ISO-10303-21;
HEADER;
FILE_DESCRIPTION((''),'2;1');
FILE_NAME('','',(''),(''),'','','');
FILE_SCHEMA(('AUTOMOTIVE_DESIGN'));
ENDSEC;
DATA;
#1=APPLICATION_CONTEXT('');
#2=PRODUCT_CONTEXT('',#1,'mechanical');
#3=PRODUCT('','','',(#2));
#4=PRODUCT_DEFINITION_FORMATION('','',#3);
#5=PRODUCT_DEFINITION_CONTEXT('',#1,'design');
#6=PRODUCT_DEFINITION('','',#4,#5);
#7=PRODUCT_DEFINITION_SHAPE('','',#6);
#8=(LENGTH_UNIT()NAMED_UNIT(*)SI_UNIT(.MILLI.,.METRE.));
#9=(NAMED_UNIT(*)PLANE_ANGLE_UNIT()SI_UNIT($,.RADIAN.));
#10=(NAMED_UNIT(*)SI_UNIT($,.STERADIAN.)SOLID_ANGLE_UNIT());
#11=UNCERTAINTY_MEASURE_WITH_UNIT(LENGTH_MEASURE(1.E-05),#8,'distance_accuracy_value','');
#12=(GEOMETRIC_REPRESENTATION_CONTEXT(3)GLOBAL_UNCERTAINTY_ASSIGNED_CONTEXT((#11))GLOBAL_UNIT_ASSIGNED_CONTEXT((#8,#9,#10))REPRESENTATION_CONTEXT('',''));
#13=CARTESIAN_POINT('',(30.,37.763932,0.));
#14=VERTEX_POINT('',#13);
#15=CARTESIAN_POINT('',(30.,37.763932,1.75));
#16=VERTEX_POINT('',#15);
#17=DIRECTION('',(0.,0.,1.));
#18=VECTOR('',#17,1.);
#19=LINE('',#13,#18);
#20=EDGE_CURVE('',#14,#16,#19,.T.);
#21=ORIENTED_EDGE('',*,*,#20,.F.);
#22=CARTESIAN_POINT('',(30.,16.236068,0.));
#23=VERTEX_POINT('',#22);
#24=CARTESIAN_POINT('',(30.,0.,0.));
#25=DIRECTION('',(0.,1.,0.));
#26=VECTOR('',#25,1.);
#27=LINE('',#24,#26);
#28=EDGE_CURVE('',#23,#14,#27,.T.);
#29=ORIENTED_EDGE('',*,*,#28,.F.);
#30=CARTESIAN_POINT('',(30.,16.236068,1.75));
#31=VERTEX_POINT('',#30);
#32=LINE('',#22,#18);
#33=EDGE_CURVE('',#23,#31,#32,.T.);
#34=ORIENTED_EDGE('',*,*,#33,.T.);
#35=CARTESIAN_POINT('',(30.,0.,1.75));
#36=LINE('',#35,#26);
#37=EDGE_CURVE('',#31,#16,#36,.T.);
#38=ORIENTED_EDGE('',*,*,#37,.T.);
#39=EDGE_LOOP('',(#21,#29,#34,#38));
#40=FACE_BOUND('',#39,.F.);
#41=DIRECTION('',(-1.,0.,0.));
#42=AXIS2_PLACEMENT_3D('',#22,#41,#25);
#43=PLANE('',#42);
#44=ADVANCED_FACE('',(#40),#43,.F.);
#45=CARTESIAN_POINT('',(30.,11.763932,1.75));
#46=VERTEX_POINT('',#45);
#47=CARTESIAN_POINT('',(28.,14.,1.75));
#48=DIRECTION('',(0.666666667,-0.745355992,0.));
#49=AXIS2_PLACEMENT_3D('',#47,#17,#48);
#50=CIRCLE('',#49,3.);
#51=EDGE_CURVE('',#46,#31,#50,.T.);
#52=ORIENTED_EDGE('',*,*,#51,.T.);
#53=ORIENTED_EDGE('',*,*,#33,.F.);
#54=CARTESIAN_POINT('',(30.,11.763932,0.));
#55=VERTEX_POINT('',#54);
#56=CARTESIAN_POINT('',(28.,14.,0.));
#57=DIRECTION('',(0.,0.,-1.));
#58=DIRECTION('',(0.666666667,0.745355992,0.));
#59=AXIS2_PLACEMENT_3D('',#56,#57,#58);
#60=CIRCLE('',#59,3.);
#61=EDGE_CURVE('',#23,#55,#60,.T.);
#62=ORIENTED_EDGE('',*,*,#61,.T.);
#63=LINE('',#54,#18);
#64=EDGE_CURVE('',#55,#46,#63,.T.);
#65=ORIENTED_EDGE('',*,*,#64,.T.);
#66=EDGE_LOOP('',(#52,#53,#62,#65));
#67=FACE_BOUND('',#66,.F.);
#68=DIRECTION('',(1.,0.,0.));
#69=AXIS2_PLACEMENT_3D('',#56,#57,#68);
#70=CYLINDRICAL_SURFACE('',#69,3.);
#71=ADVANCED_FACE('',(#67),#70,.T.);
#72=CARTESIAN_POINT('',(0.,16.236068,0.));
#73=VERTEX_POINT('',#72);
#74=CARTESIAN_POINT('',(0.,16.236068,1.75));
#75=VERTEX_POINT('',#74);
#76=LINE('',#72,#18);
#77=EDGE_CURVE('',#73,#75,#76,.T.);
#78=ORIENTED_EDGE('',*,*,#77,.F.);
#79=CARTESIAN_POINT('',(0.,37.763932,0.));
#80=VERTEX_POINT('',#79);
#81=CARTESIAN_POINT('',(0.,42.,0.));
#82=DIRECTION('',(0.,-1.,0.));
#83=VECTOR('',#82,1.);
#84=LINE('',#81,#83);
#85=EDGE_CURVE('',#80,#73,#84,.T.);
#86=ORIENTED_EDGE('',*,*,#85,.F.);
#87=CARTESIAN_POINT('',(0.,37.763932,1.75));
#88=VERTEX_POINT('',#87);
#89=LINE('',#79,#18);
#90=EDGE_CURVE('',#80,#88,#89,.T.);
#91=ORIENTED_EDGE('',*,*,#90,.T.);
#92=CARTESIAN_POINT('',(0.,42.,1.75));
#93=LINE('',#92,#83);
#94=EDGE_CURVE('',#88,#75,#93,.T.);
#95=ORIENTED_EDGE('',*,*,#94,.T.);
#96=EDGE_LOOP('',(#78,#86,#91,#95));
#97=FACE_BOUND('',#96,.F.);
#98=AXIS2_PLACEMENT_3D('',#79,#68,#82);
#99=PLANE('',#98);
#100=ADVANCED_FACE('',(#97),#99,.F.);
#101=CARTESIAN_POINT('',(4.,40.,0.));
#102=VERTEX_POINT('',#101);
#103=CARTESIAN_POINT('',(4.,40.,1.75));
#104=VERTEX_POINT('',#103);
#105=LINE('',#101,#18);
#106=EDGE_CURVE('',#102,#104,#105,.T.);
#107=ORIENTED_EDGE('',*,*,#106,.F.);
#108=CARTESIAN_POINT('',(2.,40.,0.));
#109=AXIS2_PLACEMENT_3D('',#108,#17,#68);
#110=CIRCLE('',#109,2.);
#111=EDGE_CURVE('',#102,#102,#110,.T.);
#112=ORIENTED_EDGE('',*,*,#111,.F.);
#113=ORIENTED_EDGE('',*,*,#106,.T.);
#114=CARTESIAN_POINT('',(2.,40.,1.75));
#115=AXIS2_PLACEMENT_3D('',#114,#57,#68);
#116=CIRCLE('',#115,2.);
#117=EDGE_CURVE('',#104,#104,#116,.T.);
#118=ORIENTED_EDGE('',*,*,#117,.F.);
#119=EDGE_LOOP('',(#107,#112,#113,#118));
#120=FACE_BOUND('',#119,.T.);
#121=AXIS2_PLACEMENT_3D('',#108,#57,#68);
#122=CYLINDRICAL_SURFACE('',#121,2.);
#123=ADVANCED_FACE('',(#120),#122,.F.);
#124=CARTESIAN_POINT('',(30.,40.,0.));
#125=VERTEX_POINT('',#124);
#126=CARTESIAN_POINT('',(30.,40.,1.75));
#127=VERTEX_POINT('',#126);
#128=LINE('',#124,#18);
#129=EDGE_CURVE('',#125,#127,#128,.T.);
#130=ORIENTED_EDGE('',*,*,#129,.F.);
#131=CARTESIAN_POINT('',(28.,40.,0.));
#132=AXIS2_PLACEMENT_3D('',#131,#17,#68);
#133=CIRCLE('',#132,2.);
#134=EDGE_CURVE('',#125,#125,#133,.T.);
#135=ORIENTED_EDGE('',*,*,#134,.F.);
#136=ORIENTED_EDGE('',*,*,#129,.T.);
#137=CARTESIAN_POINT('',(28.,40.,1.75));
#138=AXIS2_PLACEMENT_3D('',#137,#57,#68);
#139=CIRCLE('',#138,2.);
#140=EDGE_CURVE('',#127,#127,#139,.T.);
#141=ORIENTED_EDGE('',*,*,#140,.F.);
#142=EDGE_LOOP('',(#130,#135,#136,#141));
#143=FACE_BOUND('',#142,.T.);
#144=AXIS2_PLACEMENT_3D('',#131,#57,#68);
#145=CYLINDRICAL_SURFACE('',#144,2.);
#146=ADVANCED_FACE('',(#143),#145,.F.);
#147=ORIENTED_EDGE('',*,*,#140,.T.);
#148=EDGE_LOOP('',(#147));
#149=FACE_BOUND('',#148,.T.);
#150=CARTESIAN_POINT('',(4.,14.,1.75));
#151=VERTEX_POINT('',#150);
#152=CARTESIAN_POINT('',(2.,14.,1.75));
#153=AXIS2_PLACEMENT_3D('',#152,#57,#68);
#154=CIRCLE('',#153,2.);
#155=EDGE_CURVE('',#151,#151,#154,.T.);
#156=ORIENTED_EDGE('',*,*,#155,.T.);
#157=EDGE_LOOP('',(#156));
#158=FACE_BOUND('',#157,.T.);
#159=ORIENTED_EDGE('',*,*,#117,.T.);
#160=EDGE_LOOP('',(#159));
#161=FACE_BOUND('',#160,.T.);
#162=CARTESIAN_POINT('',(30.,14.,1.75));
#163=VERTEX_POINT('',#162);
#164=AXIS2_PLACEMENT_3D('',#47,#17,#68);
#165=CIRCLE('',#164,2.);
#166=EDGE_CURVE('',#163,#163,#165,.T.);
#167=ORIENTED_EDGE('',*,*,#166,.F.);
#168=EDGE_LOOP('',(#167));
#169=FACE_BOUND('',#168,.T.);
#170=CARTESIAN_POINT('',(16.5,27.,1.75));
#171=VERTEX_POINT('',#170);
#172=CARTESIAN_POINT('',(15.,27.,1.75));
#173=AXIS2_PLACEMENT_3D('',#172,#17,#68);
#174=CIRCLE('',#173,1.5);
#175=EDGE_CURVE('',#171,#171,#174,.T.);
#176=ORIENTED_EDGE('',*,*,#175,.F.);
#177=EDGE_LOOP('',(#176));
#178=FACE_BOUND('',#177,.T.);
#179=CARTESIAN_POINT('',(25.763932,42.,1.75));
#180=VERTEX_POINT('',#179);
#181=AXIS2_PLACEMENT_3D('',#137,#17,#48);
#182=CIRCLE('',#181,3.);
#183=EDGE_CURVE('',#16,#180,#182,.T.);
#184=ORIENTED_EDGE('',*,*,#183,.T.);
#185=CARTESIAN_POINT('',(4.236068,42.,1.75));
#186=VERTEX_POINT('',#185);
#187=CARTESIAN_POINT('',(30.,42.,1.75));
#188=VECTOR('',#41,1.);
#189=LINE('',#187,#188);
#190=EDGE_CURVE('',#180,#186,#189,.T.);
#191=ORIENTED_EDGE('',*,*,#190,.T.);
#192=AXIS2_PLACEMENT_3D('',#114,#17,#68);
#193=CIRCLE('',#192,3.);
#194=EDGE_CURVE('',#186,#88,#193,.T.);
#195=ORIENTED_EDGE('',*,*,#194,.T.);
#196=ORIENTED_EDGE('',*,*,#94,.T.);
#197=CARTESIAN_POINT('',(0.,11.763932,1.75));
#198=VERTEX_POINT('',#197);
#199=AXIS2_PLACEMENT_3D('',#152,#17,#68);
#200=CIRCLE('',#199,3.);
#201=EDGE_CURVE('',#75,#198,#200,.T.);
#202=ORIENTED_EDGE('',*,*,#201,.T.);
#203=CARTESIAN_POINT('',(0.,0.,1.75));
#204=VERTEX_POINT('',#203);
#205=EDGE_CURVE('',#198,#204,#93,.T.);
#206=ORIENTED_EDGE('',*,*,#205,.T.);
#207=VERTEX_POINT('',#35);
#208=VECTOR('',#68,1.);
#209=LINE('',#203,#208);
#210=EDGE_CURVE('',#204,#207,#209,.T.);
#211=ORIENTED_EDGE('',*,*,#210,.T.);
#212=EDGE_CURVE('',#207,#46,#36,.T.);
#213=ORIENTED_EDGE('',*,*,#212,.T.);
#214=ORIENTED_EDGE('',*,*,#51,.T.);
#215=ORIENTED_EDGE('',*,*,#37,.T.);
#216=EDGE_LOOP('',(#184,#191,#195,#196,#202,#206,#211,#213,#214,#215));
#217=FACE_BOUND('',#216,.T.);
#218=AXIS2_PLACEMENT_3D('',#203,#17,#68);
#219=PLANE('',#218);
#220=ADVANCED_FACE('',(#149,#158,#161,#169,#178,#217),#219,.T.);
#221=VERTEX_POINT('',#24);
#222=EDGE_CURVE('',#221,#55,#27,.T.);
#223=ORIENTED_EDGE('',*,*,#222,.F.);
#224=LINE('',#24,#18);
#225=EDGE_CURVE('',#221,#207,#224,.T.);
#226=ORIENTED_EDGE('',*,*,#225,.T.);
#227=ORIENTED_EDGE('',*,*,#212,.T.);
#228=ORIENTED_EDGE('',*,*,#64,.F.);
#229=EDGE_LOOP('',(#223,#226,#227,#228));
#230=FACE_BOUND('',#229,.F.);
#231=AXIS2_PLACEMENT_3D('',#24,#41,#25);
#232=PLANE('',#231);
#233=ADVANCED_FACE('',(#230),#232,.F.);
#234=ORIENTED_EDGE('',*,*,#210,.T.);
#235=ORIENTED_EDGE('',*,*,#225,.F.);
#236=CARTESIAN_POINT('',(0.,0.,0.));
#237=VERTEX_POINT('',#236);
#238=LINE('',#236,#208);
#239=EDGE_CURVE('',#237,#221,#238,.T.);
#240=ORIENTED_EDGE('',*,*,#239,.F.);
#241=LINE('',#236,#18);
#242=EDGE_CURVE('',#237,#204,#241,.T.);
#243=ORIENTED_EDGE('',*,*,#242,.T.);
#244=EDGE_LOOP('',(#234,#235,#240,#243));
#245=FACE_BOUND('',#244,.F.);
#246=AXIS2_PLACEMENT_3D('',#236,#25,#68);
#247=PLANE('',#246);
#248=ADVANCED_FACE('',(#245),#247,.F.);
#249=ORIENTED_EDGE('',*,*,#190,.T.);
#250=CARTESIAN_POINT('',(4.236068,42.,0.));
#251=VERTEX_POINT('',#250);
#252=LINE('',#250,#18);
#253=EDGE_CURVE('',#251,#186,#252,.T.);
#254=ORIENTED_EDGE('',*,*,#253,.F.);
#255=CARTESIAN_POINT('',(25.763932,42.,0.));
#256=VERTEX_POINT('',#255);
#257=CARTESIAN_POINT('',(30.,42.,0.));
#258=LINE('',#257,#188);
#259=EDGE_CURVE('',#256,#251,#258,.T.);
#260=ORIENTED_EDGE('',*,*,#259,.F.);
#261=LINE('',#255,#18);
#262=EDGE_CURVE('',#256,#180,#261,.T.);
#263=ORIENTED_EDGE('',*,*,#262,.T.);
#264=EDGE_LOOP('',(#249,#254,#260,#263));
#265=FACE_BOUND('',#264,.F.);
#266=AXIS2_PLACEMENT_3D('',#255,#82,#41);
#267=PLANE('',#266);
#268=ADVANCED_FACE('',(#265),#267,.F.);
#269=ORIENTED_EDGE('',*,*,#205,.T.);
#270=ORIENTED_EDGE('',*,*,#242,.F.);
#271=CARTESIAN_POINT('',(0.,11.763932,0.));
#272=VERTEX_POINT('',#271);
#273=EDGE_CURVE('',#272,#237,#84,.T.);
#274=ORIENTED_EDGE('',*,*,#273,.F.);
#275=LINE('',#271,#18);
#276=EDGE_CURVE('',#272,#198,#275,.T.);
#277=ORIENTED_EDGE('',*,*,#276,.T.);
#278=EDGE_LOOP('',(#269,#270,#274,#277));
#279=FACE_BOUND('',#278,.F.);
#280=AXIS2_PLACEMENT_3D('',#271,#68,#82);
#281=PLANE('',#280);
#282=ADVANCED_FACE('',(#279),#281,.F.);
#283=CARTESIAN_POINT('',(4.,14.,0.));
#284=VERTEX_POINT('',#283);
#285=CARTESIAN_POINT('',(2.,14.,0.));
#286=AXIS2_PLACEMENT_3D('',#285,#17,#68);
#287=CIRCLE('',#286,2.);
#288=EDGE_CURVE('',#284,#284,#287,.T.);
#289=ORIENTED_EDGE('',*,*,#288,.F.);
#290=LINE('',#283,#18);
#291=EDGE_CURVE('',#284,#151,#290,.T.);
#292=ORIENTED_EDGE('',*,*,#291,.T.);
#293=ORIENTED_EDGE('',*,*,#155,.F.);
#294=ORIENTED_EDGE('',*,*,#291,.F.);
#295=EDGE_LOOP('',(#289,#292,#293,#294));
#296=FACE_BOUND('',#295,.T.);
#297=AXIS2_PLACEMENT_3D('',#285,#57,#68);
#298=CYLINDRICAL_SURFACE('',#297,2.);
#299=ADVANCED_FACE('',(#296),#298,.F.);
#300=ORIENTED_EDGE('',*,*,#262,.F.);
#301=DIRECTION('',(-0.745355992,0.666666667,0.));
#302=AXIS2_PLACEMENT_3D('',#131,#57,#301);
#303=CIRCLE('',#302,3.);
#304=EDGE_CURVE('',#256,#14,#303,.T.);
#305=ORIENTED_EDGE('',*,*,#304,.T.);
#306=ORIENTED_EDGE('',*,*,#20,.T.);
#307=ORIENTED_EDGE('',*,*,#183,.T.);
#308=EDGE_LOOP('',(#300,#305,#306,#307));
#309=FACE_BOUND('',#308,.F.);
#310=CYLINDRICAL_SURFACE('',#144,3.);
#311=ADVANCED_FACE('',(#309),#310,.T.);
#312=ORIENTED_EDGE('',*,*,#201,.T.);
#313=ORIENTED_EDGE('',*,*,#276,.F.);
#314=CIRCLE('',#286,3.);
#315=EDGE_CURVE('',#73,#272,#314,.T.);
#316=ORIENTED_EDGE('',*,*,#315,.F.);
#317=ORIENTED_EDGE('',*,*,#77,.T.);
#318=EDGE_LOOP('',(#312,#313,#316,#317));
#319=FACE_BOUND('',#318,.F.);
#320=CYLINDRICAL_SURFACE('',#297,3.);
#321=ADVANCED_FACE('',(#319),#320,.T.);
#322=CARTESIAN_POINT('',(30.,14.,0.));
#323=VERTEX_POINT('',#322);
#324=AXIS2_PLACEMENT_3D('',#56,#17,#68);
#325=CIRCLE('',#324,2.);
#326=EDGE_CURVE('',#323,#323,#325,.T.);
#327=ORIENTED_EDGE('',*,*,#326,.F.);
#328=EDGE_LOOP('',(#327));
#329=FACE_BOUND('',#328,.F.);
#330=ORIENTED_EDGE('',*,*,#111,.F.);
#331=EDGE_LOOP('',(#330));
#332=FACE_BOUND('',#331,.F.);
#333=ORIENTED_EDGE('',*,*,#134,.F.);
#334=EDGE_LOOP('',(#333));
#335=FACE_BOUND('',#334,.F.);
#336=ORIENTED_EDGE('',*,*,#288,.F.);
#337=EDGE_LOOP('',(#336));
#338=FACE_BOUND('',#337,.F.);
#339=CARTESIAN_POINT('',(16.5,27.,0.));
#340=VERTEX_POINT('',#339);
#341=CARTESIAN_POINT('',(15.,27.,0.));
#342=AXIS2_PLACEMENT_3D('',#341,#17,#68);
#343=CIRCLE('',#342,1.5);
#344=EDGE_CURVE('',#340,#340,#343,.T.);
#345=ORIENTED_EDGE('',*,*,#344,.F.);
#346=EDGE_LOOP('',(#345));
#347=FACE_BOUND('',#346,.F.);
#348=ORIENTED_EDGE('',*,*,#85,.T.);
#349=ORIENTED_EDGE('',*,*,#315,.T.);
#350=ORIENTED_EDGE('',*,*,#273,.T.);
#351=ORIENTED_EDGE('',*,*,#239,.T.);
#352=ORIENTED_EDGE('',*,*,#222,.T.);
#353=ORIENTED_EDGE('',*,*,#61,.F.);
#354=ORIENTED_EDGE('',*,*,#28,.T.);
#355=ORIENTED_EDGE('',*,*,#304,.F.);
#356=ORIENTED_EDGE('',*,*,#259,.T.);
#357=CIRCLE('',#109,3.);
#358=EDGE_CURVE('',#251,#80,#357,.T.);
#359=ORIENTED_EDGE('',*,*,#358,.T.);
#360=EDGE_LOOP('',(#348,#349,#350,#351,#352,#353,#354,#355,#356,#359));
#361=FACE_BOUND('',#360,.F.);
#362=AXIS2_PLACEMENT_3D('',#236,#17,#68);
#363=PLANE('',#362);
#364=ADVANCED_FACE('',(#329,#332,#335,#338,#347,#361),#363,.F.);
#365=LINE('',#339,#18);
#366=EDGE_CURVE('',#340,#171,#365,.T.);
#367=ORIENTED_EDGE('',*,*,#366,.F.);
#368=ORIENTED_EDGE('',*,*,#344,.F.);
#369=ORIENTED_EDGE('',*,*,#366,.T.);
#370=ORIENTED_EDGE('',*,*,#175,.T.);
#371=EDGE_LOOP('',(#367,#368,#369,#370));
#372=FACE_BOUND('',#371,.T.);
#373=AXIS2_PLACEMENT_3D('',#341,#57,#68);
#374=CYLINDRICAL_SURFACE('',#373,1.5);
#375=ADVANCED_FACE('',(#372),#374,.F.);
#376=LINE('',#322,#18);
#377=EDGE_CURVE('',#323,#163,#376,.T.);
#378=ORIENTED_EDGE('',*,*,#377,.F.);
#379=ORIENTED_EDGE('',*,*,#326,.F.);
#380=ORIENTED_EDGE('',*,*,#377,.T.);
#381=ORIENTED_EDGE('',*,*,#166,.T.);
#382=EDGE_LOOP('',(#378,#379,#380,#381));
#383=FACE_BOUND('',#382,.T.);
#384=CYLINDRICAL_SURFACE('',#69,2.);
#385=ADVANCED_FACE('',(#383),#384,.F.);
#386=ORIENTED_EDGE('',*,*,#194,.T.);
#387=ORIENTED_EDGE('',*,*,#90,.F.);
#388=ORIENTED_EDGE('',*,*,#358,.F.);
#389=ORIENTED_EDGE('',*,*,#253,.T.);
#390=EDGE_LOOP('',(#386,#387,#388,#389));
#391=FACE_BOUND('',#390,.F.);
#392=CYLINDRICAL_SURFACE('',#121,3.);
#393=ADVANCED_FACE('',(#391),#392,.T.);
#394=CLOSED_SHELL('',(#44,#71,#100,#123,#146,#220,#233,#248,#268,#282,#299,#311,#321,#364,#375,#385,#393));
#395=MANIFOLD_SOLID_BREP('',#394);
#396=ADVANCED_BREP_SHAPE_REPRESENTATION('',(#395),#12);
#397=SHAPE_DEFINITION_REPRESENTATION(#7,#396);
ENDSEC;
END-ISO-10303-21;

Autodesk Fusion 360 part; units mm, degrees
sketch "Sketch1" plane through (0, 0, 0) normal (0, 0, 1) x (1, 0, 0)
  line L0 (0, 0) -> (30, 0)
  line L1 (30, 0) -> (30, 42)
  line L2 (30, 42) -> (0, 42)
  line L3 (0, 42) -> (0, 0)
  circle A0 centre (2, 40) radius 2
  circle A1 centre (28, 40) radius 2
  circle A2 centre (2, 14) radius 2
  circle A3 centre (28, 14) radius 2
  circle A4 centre (2, 40) radius 3
  circle A5 centre (28, 40) radius 3
  circle A6 centre (28, 14) radius 3
  circle A7 centre (2, 14) radius 3
  circle A8 centre (15, 27) radius 1.5
  dimension "d1" = 30
  dimension "d2" = 42
  dimension "d3" = 4
  dimension "d6" = 26
  dimension "d7" = -26
  dimension "d8" = 6
  dimension "d9" = 6
  dimension "d10" = 6
  dimension "d11" = 6
  dimension "d14" = 3
  dimension "d15" = 15
  dimension "d16" = 15
extrude "Extrude1" add sketch "Sketch1" along normal blind 1.75 contours L0 L1 L2 L3 A4 A5 A6 A7 | L3 A7 | L3 A7 | L1 A6 | L1 A6 | L2 L3 A4 | L2 L3 A0 A4 | L1 L2 A1 A5 | L1 L2 A5 | L2 L3 A0 | L1 L2 A1
